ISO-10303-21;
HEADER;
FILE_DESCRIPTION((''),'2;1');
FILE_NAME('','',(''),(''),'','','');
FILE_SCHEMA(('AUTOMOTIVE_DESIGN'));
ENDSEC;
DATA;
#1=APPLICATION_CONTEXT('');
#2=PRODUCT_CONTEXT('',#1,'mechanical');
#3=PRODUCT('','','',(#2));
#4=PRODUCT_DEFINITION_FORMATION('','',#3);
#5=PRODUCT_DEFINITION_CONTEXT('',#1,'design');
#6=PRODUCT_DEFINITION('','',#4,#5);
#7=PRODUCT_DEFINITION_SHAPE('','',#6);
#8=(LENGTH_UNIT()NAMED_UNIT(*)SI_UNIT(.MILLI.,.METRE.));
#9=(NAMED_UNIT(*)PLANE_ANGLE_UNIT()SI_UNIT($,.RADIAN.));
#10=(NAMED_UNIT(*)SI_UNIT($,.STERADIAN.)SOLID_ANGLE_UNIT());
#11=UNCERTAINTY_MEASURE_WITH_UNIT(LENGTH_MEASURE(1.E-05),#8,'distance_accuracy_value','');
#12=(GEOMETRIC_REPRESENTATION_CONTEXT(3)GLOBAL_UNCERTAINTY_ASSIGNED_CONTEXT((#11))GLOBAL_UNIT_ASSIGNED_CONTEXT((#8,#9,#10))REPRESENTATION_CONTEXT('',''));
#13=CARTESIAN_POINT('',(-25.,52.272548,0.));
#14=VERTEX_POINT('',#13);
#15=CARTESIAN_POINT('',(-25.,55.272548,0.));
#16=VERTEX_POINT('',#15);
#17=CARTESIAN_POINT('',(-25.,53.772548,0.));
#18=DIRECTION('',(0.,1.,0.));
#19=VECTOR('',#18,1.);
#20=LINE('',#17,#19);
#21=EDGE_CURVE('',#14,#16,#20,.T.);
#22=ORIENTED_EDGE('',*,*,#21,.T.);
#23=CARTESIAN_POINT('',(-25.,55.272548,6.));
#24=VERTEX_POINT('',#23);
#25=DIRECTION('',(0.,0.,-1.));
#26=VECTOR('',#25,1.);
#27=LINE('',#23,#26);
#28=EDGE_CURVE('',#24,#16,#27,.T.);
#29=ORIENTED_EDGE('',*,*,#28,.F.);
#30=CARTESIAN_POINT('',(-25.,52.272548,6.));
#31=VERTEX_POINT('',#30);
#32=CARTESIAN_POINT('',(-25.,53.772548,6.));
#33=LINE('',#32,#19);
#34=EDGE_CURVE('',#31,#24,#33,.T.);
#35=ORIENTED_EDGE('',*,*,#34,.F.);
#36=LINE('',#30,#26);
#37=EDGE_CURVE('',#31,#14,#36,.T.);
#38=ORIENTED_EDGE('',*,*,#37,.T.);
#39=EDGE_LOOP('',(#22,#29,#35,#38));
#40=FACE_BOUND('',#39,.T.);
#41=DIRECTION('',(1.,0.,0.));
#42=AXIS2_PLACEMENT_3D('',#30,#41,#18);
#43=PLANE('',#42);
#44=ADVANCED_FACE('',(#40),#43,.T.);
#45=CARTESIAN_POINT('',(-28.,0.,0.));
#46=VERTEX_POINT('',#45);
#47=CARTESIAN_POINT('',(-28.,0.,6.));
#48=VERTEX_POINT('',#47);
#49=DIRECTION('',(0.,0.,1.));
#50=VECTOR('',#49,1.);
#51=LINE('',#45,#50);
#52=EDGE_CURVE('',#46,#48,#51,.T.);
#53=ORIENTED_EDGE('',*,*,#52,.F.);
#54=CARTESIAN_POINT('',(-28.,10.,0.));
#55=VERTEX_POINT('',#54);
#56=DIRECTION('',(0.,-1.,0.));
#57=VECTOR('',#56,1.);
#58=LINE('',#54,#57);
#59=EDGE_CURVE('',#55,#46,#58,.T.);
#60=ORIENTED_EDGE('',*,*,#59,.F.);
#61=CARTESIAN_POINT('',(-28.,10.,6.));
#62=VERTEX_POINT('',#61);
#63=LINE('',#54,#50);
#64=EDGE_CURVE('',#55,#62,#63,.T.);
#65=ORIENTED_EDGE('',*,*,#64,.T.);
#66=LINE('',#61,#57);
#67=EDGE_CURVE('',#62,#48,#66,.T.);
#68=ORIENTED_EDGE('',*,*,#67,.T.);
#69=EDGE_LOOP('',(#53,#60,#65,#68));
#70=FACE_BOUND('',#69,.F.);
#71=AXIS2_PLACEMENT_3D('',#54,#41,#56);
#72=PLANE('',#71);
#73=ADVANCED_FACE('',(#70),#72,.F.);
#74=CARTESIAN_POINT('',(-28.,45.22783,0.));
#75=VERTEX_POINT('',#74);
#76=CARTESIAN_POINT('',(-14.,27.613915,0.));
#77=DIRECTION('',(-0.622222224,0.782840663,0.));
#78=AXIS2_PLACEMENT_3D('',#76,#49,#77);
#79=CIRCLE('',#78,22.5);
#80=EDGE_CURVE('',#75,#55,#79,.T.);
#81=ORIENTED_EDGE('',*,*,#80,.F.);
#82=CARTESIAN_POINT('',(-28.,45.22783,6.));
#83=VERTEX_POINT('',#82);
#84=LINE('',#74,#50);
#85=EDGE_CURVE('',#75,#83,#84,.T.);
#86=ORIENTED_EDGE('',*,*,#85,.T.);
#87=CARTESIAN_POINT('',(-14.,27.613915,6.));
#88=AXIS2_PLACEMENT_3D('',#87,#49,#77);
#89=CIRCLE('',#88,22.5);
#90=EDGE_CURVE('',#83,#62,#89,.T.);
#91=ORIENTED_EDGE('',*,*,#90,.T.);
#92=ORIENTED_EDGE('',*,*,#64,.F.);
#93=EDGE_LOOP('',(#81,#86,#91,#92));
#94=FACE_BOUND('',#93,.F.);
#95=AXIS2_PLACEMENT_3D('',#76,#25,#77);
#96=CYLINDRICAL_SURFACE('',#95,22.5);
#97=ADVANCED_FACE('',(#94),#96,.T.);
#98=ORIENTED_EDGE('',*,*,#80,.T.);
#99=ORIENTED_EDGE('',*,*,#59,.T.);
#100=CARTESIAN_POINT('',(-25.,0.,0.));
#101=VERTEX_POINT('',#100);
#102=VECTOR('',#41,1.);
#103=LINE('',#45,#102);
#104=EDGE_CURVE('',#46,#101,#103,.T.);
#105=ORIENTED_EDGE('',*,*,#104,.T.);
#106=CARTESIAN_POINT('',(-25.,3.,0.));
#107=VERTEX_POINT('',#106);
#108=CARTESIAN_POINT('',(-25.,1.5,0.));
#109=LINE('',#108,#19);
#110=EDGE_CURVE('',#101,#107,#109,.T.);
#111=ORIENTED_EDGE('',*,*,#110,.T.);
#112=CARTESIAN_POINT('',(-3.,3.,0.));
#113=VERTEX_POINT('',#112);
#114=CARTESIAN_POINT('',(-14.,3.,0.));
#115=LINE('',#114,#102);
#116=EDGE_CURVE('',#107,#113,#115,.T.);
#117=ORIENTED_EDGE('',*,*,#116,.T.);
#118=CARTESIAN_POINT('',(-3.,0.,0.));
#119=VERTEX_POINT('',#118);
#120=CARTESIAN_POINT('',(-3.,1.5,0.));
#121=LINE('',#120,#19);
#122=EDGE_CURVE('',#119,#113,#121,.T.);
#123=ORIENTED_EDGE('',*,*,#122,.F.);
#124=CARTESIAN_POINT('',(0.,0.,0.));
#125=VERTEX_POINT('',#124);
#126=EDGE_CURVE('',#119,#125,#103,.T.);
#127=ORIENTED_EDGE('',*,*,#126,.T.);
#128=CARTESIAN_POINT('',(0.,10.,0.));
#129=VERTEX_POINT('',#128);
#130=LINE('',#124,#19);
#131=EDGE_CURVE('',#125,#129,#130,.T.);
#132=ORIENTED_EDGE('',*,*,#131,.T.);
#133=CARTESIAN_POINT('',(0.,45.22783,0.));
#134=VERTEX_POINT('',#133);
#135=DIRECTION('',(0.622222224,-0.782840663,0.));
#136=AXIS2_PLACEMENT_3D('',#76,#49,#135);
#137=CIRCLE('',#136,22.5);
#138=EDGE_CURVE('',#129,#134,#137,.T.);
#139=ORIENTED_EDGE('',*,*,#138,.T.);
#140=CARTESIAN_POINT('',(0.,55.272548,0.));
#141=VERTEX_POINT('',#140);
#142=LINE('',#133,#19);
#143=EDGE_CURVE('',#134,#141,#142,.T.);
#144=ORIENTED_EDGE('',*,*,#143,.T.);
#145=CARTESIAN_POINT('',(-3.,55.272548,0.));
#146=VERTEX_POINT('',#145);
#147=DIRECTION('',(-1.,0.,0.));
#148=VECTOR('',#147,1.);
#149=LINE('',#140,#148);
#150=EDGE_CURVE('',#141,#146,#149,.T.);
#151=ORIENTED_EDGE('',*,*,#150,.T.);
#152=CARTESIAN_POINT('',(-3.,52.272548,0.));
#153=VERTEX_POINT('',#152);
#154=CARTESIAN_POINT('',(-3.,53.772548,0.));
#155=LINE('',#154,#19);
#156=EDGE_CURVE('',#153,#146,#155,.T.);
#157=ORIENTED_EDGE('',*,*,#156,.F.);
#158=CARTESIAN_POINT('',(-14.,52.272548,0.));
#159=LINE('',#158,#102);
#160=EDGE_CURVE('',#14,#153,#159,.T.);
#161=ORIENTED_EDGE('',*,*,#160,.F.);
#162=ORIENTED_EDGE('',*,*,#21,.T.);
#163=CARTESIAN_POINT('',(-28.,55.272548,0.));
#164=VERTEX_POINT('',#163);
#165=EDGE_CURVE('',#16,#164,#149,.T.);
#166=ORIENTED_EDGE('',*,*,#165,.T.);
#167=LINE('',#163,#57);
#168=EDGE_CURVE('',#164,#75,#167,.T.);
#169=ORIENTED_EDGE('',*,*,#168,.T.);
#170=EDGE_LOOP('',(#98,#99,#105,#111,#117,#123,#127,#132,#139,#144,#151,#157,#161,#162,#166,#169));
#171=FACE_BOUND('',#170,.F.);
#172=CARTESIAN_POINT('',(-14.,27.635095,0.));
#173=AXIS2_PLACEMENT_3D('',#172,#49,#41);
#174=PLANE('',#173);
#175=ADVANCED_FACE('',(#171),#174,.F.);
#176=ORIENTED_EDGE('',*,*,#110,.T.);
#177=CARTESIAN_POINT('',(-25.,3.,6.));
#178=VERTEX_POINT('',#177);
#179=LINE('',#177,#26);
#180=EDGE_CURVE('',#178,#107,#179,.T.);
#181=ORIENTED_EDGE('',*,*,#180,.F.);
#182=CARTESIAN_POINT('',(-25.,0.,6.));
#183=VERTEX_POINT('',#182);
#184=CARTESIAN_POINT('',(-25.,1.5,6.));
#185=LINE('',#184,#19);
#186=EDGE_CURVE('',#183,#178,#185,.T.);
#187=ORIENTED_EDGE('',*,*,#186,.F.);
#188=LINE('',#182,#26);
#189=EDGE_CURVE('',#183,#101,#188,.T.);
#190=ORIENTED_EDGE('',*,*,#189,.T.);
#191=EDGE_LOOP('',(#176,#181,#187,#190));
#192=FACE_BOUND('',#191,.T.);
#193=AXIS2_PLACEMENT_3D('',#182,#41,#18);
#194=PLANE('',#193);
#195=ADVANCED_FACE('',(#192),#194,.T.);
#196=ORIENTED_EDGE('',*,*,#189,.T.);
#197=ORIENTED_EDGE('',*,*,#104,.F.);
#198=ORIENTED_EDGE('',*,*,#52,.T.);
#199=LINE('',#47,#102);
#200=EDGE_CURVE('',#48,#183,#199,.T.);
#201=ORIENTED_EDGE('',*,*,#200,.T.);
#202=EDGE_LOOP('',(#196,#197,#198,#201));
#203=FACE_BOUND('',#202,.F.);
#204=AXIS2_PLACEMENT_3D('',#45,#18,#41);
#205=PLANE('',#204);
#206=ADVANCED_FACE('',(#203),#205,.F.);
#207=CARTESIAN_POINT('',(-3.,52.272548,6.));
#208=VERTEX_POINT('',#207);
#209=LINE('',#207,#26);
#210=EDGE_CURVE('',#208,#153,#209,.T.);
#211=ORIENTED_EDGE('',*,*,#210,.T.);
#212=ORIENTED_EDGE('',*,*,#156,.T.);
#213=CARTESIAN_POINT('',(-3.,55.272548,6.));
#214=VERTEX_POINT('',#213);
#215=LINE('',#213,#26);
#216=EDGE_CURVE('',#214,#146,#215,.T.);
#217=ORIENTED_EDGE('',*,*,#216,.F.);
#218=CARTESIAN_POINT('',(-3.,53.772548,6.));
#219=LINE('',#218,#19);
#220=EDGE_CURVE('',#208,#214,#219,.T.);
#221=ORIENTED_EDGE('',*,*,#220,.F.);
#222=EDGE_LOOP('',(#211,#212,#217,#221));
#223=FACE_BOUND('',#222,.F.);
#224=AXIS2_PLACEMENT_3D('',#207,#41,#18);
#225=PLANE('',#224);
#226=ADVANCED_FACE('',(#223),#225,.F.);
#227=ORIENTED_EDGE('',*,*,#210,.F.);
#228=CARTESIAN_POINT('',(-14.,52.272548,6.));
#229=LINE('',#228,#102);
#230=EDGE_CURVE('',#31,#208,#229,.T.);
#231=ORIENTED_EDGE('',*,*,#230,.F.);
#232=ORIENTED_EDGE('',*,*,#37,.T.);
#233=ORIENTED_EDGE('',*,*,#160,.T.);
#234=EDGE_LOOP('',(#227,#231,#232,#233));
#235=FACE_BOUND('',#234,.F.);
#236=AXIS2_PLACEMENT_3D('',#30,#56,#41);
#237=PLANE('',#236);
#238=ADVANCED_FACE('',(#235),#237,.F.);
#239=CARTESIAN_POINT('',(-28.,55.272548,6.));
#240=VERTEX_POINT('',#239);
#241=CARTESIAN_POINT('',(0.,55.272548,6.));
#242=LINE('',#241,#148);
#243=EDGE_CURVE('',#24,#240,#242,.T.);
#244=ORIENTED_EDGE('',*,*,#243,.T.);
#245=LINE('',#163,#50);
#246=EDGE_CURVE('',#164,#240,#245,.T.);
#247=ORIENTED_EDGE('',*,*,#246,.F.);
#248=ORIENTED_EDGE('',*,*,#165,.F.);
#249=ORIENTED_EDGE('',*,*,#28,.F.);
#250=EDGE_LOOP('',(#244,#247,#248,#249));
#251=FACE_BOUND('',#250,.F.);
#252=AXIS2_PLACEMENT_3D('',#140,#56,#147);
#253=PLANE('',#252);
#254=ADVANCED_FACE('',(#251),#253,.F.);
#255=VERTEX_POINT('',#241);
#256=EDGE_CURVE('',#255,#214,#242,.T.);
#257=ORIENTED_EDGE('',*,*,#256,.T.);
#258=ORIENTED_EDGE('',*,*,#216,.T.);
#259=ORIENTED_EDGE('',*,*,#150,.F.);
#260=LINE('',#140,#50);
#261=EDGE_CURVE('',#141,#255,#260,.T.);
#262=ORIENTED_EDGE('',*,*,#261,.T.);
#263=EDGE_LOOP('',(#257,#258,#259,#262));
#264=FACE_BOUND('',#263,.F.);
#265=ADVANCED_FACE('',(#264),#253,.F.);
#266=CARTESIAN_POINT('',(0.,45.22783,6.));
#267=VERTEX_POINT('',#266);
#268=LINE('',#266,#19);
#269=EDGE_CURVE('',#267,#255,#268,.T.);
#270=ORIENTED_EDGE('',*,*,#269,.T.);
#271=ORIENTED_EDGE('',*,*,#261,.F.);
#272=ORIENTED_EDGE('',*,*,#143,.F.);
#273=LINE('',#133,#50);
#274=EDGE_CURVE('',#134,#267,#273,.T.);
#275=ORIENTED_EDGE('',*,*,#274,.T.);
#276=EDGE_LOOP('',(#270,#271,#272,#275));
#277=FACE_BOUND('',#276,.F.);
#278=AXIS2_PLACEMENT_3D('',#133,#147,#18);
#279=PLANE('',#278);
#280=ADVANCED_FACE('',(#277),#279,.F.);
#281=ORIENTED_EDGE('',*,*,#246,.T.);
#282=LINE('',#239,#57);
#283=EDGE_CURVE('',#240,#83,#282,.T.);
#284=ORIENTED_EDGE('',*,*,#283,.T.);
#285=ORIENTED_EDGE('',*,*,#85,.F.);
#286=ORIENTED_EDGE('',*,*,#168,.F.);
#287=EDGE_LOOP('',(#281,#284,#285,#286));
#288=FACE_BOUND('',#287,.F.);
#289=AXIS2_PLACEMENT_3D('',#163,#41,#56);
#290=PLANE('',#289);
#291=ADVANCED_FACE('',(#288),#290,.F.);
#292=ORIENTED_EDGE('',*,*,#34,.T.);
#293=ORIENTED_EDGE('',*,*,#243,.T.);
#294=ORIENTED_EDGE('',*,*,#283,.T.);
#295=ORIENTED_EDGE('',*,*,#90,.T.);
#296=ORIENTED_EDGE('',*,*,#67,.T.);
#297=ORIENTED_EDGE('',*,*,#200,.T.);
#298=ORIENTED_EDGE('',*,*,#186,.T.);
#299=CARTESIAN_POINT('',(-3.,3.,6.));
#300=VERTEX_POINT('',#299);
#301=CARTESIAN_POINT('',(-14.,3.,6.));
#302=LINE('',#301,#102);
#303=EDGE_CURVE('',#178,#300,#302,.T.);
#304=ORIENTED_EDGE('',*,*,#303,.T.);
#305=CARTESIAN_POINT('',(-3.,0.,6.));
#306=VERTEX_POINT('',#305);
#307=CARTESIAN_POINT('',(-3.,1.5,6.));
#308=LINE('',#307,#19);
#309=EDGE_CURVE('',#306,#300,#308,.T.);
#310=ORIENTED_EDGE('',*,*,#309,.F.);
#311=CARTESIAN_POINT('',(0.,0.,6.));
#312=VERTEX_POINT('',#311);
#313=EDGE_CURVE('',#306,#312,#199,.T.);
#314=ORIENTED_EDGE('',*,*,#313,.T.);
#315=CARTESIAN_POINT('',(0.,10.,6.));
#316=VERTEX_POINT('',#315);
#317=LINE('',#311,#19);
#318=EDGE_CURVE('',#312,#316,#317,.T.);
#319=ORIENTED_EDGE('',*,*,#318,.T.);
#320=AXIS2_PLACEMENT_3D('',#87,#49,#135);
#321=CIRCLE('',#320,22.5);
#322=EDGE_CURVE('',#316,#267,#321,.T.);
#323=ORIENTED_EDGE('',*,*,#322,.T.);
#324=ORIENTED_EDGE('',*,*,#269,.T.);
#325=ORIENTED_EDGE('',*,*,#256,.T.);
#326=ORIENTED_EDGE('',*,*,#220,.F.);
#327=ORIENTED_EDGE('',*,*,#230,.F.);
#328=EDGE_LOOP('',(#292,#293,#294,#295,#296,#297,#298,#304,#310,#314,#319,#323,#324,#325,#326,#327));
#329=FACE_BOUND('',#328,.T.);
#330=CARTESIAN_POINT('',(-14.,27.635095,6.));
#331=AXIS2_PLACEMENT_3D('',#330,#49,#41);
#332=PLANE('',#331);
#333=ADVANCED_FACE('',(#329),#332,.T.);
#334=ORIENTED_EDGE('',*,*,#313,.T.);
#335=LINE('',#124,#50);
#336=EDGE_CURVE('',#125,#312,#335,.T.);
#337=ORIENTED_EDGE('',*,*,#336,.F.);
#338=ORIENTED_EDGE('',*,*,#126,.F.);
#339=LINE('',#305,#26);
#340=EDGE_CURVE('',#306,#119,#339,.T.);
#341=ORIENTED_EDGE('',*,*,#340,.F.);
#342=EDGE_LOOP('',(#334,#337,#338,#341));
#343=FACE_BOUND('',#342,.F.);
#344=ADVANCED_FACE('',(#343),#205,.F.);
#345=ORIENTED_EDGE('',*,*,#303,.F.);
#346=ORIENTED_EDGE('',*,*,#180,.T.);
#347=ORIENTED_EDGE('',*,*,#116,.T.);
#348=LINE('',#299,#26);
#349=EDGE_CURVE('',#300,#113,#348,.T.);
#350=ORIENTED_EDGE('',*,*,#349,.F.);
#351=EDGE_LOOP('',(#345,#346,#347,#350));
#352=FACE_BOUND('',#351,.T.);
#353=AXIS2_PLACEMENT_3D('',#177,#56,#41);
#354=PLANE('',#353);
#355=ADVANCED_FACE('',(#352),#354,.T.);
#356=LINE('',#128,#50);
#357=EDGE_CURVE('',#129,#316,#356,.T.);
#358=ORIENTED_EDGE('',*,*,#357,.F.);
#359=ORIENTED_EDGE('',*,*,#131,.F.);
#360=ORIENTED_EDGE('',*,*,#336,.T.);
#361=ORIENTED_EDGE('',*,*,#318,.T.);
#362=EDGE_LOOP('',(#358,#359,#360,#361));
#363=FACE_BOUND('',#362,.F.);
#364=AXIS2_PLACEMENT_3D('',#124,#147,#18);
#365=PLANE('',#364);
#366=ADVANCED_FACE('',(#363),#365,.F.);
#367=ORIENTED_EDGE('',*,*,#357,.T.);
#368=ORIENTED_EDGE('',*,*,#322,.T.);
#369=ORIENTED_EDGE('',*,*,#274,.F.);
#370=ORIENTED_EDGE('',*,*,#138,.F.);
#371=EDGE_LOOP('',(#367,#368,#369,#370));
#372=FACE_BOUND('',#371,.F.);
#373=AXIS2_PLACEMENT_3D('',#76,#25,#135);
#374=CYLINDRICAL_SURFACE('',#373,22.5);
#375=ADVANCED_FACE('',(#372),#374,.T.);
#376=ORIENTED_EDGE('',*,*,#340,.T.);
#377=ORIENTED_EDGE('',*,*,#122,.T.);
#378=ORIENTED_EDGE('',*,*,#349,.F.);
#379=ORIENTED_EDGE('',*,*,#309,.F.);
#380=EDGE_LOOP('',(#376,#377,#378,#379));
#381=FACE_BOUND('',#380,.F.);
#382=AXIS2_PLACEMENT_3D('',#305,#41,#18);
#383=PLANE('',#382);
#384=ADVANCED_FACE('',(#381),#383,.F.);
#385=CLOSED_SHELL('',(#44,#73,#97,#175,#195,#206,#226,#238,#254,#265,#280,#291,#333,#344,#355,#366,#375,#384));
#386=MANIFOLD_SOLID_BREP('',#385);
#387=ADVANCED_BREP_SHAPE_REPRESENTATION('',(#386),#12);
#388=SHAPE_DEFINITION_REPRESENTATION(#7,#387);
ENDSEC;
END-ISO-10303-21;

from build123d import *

# Parameters (mm, degrees)
F1_DEPTH = 6
F2_W     = 22
F2_H     = 3
F3_DEPTH = 6


with BuildPart() as f1:
    # F0 (on Top) → F1 (new body)
    with BuildSketch(Plane.XY):
        with BuildLine():
            Line((-28, 0), (0, 0))
            Line((0, 0), (0, 10))
            ThreePointArc((0, 10), (8.5, 27.613915), (0, 45.22783))
            Line((0, 45.22783), (0, 55.272548))
            Line((0, 55.272548), (-28, 55.272548))
            Line((-28, 55.272548), (-28, 45.22783))
            ThreePointArc((-28, 45.22783), (-36.5, 27.613915), (-28, 10))
            Line((-28, 10), (-28, 0))
        make_face()
    extrude(amount=F1_DEPTH)

    # F2 (on face) → F3 (cut, through all)
    with BuildSketch(Plane.XY.offset(6)):
        with Locations((-14, 53.772548)):
            Rectangle(F2_W, F2_H)
        with Locations((-14, 1.5)):
            Rectangle(F2_W, F2_H)
    extrude(amount=-F3_DEPTH, mode=Mode.SUBTRACT)


solid = f1.part
